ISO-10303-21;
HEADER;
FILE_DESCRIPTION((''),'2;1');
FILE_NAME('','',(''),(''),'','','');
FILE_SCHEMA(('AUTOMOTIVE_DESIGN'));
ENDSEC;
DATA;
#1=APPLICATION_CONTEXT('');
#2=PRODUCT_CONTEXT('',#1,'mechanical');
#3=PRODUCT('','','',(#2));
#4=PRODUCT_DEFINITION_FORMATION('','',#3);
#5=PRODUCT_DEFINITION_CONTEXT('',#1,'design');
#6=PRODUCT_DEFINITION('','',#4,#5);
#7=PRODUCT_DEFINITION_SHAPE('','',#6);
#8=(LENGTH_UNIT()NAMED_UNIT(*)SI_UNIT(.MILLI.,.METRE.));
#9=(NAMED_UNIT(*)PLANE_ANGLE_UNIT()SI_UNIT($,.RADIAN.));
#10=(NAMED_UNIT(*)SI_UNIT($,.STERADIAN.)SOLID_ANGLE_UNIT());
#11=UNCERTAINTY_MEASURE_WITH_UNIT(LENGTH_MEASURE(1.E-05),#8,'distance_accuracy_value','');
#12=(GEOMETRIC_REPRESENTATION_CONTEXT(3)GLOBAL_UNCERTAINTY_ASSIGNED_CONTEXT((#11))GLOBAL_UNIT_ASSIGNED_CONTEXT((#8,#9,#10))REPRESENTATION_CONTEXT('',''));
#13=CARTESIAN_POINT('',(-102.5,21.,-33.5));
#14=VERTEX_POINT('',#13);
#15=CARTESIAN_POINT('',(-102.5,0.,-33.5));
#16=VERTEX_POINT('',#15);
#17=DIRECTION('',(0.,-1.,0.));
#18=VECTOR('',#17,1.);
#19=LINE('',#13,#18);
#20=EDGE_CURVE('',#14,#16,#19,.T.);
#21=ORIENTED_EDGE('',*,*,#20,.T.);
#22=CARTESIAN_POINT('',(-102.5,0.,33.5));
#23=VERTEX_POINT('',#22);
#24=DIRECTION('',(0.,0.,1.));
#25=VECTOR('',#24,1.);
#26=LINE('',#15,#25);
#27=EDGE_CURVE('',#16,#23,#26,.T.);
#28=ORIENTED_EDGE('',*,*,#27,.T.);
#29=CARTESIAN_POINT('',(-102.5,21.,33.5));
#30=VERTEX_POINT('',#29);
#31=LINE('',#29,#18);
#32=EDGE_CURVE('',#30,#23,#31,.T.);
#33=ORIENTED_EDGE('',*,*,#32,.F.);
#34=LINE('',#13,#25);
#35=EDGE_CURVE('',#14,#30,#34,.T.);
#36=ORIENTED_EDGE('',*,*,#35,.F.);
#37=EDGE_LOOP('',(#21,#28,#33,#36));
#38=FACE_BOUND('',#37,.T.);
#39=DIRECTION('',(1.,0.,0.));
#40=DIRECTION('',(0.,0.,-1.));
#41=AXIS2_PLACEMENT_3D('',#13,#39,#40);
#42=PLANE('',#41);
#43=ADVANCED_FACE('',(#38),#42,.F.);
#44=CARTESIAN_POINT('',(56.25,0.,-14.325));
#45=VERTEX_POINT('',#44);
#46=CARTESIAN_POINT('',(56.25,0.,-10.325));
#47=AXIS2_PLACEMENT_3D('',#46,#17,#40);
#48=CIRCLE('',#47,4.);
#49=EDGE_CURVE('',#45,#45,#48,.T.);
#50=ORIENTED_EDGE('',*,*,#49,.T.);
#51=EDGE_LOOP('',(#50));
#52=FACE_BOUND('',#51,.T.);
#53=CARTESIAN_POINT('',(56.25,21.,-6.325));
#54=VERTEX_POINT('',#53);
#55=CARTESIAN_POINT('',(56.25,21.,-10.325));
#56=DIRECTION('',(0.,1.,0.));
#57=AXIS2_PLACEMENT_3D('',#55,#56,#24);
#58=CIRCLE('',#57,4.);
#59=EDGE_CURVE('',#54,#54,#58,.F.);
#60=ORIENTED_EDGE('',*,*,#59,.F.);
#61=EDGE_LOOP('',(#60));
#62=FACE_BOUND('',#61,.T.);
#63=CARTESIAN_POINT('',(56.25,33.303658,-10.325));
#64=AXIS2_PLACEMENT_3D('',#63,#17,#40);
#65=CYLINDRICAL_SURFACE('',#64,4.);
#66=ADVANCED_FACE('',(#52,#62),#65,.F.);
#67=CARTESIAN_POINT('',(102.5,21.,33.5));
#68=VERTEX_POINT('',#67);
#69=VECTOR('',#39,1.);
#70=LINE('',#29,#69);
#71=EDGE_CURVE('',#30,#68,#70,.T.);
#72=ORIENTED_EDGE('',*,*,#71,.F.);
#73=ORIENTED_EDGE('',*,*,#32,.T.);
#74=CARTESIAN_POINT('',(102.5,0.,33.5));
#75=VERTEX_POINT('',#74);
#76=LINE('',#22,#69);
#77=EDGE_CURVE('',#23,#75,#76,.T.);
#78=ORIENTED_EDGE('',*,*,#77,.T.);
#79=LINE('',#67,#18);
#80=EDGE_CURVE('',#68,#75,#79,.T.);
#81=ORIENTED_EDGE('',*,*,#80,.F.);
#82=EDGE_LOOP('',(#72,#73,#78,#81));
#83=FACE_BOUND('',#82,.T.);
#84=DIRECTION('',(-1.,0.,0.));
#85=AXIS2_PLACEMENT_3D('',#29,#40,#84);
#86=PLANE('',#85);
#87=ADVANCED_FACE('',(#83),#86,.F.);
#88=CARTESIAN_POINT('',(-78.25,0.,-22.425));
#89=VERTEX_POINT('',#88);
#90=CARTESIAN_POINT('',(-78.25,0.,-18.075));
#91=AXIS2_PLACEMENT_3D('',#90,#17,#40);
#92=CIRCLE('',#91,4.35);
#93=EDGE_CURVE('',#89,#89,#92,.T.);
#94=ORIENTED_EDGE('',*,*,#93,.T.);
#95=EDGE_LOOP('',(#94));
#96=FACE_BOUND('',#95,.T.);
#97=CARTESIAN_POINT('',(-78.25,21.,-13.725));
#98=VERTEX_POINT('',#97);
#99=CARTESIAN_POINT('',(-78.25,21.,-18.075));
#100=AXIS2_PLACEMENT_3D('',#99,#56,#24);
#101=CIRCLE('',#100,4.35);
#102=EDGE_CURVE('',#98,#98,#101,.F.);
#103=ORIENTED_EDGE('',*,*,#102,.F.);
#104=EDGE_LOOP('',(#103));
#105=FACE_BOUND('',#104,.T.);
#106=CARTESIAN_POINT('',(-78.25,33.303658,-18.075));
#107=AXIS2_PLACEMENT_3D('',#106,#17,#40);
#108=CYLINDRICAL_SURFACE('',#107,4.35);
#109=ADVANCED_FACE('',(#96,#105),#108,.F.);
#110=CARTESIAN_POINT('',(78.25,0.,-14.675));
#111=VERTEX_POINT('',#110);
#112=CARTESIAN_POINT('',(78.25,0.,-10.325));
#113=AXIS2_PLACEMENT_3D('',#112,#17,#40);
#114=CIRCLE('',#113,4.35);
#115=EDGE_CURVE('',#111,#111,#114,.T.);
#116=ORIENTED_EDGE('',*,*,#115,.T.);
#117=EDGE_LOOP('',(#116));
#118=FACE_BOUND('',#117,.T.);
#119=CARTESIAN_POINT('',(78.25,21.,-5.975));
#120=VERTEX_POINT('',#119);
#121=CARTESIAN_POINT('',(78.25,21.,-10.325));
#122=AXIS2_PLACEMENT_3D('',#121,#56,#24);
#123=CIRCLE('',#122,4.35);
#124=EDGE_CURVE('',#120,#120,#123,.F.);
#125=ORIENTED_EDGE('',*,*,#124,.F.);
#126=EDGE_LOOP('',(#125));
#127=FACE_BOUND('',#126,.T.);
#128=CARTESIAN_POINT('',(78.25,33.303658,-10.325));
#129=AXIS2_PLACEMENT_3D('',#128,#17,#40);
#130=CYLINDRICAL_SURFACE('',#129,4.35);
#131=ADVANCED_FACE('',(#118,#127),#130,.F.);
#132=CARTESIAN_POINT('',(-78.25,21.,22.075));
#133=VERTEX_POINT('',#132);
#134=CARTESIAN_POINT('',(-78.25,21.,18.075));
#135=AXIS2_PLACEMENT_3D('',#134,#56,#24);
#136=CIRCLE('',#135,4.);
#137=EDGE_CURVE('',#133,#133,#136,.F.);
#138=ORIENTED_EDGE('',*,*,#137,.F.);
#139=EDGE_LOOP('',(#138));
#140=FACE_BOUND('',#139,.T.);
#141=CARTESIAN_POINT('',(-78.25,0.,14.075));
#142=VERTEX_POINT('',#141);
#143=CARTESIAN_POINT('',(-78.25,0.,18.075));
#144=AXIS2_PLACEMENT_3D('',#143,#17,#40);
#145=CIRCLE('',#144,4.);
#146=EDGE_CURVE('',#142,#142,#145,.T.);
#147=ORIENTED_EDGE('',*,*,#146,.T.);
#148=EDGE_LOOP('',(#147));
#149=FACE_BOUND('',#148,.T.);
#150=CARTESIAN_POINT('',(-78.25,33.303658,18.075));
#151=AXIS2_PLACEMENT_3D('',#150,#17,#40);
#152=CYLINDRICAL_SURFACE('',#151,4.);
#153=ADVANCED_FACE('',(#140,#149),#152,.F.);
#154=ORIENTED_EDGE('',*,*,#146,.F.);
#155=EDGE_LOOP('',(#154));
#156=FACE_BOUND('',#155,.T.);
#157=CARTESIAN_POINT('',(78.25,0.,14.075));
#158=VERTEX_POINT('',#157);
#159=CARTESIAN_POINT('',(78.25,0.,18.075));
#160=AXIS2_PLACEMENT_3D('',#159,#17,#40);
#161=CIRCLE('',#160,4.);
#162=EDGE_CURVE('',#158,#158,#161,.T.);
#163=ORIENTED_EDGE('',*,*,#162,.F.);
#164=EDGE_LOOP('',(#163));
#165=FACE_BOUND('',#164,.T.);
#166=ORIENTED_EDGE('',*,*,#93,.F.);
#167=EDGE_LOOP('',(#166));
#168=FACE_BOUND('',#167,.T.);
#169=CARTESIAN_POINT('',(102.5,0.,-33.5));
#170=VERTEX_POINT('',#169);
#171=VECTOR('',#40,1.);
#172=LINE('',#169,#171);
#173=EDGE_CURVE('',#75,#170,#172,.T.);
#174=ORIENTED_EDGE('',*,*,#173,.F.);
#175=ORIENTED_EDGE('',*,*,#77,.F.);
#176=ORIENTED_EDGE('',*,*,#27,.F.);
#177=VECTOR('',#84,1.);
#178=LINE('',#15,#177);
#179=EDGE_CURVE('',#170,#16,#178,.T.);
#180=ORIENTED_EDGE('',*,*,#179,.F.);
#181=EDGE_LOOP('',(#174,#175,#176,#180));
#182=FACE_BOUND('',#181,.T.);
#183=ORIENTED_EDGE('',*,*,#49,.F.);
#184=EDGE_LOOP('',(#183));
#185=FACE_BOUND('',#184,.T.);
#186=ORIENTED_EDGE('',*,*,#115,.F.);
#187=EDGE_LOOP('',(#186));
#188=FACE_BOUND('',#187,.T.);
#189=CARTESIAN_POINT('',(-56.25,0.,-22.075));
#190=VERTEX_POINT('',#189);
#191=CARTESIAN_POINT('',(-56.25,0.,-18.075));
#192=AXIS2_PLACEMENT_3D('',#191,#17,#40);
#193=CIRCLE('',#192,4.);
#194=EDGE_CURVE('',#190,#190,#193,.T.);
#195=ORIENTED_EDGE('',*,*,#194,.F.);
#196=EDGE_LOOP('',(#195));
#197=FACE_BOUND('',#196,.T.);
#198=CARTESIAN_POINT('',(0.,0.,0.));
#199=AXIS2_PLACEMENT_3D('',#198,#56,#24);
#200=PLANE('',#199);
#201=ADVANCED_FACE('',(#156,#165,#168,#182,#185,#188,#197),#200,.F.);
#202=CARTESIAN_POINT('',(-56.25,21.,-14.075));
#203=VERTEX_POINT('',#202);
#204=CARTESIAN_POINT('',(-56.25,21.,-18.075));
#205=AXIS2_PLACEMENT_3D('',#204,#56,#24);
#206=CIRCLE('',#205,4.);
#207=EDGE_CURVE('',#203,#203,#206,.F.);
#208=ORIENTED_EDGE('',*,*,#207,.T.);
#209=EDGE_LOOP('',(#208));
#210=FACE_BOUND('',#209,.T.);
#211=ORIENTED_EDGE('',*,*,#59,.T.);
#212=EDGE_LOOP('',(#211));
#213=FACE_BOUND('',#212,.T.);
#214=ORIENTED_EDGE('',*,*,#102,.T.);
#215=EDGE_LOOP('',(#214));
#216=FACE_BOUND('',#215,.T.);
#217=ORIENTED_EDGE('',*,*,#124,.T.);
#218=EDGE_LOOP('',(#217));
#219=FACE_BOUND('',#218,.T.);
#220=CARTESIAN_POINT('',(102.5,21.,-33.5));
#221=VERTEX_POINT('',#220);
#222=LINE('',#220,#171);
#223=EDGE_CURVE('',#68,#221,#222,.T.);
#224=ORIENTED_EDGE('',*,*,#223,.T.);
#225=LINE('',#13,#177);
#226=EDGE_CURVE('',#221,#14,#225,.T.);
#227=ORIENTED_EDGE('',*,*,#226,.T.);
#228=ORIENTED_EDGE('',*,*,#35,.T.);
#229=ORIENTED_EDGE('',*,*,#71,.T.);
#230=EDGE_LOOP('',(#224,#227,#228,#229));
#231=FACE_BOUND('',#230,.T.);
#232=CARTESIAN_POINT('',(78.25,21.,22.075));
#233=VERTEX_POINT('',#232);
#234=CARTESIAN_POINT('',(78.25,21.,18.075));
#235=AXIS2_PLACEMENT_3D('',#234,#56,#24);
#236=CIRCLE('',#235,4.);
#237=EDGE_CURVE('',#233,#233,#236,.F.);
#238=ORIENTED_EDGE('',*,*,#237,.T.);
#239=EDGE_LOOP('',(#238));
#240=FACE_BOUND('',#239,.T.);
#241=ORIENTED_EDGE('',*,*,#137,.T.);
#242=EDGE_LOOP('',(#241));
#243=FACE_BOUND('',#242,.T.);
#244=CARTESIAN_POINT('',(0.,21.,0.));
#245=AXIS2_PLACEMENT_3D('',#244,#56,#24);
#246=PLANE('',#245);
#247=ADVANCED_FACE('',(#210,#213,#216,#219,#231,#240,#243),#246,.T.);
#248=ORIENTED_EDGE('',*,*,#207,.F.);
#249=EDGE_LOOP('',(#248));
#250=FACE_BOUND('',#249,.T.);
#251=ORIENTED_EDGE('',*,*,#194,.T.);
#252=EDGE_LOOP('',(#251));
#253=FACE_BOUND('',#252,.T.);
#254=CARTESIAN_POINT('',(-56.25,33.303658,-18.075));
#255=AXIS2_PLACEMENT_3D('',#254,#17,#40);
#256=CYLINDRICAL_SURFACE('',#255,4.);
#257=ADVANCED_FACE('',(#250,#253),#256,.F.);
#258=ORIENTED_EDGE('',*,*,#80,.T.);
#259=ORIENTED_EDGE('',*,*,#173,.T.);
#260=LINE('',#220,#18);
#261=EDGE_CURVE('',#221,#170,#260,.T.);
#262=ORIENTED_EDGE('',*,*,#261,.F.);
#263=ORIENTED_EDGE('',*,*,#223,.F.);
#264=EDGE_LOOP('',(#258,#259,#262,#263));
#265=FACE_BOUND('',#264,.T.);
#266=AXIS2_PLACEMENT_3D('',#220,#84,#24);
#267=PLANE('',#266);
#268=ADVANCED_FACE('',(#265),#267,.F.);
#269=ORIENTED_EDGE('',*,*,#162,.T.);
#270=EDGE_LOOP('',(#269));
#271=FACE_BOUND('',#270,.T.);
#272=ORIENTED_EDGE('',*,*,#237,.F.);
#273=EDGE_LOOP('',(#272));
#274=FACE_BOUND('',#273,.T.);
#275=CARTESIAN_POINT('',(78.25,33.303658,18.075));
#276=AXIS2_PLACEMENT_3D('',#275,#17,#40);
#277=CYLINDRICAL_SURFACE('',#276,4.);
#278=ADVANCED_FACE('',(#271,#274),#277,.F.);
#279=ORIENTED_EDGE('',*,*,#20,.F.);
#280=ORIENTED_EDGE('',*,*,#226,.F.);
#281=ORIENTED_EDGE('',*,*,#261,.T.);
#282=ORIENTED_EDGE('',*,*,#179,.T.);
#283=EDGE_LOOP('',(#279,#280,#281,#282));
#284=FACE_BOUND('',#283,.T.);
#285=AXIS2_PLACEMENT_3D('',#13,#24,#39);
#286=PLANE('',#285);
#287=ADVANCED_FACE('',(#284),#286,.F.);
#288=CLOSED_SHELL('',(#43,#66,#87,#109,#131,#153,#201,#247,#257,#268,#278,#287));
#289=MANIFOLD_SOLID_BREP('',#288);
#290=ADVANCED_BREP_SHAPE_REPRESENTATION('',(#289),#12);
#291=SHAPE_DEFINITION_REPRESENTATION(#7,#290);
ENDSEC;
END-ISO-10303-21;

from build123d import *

# Parameters (mm, degrees)
SKETCH1_W           = 205
SKETCH1_H           = 67
BOSS_EXTRUDE1_DEPTH = 21
SKETCH2_R           = 4.35
SKETCH2_R_2         = 4
CUT_EXTRUDE1_DEPTH  = 21


with BuildPart() as part:
    # Sketch1 → Boss-Extrude1 (new body)
    with BuildSketch(Plane(origin=(0, 0, 0), x_dir=(1, 0, 0), z_dir=(0, 1, 0))):
        Rectangle(SKETCH1_W, SKETCH1_H)
    extrude(amount=BOSS_EXTRUDE1_DEPTH)

    # Sketch2 → Cut-Extrude1 (cut)
    with BuildSketch(Plane(origin=(0, 0, -21), x_dir=(1, 0, 0), z_dir=(0, -1, 0))):
        with Locations(Location((-78.25, 2.925, 0), (0, 0, 270))):
            Circle(SKETCH2_R)
        with Locations(Location((78.25, 10.675, 0), (0, 0, 270))):
            Circle(SKETCH2_R)
        with Locations(Location((-56.25, 2.925, 0), (0, 0, 270))):
            Circle(SKETCH2_R_2)
        with Locations(Location((56.25, 10.675, 0), (0, 0, 270))):
            Circle(SKETCH2_R_2)
        with Locations(Location((78.25, 39.075, 0), (0, 0, 270))):
            Circle(SKETCH2_R_2)
        with Locations(Location((-78.25, 39.075, 0), (0, 0, 270))):
            Circle(SKETCH2_R_2)
    extrude(amount=-CUT_EXTRUDE1_DEPTH, mode=Mode.SUBTRACT)


solid = part.part
